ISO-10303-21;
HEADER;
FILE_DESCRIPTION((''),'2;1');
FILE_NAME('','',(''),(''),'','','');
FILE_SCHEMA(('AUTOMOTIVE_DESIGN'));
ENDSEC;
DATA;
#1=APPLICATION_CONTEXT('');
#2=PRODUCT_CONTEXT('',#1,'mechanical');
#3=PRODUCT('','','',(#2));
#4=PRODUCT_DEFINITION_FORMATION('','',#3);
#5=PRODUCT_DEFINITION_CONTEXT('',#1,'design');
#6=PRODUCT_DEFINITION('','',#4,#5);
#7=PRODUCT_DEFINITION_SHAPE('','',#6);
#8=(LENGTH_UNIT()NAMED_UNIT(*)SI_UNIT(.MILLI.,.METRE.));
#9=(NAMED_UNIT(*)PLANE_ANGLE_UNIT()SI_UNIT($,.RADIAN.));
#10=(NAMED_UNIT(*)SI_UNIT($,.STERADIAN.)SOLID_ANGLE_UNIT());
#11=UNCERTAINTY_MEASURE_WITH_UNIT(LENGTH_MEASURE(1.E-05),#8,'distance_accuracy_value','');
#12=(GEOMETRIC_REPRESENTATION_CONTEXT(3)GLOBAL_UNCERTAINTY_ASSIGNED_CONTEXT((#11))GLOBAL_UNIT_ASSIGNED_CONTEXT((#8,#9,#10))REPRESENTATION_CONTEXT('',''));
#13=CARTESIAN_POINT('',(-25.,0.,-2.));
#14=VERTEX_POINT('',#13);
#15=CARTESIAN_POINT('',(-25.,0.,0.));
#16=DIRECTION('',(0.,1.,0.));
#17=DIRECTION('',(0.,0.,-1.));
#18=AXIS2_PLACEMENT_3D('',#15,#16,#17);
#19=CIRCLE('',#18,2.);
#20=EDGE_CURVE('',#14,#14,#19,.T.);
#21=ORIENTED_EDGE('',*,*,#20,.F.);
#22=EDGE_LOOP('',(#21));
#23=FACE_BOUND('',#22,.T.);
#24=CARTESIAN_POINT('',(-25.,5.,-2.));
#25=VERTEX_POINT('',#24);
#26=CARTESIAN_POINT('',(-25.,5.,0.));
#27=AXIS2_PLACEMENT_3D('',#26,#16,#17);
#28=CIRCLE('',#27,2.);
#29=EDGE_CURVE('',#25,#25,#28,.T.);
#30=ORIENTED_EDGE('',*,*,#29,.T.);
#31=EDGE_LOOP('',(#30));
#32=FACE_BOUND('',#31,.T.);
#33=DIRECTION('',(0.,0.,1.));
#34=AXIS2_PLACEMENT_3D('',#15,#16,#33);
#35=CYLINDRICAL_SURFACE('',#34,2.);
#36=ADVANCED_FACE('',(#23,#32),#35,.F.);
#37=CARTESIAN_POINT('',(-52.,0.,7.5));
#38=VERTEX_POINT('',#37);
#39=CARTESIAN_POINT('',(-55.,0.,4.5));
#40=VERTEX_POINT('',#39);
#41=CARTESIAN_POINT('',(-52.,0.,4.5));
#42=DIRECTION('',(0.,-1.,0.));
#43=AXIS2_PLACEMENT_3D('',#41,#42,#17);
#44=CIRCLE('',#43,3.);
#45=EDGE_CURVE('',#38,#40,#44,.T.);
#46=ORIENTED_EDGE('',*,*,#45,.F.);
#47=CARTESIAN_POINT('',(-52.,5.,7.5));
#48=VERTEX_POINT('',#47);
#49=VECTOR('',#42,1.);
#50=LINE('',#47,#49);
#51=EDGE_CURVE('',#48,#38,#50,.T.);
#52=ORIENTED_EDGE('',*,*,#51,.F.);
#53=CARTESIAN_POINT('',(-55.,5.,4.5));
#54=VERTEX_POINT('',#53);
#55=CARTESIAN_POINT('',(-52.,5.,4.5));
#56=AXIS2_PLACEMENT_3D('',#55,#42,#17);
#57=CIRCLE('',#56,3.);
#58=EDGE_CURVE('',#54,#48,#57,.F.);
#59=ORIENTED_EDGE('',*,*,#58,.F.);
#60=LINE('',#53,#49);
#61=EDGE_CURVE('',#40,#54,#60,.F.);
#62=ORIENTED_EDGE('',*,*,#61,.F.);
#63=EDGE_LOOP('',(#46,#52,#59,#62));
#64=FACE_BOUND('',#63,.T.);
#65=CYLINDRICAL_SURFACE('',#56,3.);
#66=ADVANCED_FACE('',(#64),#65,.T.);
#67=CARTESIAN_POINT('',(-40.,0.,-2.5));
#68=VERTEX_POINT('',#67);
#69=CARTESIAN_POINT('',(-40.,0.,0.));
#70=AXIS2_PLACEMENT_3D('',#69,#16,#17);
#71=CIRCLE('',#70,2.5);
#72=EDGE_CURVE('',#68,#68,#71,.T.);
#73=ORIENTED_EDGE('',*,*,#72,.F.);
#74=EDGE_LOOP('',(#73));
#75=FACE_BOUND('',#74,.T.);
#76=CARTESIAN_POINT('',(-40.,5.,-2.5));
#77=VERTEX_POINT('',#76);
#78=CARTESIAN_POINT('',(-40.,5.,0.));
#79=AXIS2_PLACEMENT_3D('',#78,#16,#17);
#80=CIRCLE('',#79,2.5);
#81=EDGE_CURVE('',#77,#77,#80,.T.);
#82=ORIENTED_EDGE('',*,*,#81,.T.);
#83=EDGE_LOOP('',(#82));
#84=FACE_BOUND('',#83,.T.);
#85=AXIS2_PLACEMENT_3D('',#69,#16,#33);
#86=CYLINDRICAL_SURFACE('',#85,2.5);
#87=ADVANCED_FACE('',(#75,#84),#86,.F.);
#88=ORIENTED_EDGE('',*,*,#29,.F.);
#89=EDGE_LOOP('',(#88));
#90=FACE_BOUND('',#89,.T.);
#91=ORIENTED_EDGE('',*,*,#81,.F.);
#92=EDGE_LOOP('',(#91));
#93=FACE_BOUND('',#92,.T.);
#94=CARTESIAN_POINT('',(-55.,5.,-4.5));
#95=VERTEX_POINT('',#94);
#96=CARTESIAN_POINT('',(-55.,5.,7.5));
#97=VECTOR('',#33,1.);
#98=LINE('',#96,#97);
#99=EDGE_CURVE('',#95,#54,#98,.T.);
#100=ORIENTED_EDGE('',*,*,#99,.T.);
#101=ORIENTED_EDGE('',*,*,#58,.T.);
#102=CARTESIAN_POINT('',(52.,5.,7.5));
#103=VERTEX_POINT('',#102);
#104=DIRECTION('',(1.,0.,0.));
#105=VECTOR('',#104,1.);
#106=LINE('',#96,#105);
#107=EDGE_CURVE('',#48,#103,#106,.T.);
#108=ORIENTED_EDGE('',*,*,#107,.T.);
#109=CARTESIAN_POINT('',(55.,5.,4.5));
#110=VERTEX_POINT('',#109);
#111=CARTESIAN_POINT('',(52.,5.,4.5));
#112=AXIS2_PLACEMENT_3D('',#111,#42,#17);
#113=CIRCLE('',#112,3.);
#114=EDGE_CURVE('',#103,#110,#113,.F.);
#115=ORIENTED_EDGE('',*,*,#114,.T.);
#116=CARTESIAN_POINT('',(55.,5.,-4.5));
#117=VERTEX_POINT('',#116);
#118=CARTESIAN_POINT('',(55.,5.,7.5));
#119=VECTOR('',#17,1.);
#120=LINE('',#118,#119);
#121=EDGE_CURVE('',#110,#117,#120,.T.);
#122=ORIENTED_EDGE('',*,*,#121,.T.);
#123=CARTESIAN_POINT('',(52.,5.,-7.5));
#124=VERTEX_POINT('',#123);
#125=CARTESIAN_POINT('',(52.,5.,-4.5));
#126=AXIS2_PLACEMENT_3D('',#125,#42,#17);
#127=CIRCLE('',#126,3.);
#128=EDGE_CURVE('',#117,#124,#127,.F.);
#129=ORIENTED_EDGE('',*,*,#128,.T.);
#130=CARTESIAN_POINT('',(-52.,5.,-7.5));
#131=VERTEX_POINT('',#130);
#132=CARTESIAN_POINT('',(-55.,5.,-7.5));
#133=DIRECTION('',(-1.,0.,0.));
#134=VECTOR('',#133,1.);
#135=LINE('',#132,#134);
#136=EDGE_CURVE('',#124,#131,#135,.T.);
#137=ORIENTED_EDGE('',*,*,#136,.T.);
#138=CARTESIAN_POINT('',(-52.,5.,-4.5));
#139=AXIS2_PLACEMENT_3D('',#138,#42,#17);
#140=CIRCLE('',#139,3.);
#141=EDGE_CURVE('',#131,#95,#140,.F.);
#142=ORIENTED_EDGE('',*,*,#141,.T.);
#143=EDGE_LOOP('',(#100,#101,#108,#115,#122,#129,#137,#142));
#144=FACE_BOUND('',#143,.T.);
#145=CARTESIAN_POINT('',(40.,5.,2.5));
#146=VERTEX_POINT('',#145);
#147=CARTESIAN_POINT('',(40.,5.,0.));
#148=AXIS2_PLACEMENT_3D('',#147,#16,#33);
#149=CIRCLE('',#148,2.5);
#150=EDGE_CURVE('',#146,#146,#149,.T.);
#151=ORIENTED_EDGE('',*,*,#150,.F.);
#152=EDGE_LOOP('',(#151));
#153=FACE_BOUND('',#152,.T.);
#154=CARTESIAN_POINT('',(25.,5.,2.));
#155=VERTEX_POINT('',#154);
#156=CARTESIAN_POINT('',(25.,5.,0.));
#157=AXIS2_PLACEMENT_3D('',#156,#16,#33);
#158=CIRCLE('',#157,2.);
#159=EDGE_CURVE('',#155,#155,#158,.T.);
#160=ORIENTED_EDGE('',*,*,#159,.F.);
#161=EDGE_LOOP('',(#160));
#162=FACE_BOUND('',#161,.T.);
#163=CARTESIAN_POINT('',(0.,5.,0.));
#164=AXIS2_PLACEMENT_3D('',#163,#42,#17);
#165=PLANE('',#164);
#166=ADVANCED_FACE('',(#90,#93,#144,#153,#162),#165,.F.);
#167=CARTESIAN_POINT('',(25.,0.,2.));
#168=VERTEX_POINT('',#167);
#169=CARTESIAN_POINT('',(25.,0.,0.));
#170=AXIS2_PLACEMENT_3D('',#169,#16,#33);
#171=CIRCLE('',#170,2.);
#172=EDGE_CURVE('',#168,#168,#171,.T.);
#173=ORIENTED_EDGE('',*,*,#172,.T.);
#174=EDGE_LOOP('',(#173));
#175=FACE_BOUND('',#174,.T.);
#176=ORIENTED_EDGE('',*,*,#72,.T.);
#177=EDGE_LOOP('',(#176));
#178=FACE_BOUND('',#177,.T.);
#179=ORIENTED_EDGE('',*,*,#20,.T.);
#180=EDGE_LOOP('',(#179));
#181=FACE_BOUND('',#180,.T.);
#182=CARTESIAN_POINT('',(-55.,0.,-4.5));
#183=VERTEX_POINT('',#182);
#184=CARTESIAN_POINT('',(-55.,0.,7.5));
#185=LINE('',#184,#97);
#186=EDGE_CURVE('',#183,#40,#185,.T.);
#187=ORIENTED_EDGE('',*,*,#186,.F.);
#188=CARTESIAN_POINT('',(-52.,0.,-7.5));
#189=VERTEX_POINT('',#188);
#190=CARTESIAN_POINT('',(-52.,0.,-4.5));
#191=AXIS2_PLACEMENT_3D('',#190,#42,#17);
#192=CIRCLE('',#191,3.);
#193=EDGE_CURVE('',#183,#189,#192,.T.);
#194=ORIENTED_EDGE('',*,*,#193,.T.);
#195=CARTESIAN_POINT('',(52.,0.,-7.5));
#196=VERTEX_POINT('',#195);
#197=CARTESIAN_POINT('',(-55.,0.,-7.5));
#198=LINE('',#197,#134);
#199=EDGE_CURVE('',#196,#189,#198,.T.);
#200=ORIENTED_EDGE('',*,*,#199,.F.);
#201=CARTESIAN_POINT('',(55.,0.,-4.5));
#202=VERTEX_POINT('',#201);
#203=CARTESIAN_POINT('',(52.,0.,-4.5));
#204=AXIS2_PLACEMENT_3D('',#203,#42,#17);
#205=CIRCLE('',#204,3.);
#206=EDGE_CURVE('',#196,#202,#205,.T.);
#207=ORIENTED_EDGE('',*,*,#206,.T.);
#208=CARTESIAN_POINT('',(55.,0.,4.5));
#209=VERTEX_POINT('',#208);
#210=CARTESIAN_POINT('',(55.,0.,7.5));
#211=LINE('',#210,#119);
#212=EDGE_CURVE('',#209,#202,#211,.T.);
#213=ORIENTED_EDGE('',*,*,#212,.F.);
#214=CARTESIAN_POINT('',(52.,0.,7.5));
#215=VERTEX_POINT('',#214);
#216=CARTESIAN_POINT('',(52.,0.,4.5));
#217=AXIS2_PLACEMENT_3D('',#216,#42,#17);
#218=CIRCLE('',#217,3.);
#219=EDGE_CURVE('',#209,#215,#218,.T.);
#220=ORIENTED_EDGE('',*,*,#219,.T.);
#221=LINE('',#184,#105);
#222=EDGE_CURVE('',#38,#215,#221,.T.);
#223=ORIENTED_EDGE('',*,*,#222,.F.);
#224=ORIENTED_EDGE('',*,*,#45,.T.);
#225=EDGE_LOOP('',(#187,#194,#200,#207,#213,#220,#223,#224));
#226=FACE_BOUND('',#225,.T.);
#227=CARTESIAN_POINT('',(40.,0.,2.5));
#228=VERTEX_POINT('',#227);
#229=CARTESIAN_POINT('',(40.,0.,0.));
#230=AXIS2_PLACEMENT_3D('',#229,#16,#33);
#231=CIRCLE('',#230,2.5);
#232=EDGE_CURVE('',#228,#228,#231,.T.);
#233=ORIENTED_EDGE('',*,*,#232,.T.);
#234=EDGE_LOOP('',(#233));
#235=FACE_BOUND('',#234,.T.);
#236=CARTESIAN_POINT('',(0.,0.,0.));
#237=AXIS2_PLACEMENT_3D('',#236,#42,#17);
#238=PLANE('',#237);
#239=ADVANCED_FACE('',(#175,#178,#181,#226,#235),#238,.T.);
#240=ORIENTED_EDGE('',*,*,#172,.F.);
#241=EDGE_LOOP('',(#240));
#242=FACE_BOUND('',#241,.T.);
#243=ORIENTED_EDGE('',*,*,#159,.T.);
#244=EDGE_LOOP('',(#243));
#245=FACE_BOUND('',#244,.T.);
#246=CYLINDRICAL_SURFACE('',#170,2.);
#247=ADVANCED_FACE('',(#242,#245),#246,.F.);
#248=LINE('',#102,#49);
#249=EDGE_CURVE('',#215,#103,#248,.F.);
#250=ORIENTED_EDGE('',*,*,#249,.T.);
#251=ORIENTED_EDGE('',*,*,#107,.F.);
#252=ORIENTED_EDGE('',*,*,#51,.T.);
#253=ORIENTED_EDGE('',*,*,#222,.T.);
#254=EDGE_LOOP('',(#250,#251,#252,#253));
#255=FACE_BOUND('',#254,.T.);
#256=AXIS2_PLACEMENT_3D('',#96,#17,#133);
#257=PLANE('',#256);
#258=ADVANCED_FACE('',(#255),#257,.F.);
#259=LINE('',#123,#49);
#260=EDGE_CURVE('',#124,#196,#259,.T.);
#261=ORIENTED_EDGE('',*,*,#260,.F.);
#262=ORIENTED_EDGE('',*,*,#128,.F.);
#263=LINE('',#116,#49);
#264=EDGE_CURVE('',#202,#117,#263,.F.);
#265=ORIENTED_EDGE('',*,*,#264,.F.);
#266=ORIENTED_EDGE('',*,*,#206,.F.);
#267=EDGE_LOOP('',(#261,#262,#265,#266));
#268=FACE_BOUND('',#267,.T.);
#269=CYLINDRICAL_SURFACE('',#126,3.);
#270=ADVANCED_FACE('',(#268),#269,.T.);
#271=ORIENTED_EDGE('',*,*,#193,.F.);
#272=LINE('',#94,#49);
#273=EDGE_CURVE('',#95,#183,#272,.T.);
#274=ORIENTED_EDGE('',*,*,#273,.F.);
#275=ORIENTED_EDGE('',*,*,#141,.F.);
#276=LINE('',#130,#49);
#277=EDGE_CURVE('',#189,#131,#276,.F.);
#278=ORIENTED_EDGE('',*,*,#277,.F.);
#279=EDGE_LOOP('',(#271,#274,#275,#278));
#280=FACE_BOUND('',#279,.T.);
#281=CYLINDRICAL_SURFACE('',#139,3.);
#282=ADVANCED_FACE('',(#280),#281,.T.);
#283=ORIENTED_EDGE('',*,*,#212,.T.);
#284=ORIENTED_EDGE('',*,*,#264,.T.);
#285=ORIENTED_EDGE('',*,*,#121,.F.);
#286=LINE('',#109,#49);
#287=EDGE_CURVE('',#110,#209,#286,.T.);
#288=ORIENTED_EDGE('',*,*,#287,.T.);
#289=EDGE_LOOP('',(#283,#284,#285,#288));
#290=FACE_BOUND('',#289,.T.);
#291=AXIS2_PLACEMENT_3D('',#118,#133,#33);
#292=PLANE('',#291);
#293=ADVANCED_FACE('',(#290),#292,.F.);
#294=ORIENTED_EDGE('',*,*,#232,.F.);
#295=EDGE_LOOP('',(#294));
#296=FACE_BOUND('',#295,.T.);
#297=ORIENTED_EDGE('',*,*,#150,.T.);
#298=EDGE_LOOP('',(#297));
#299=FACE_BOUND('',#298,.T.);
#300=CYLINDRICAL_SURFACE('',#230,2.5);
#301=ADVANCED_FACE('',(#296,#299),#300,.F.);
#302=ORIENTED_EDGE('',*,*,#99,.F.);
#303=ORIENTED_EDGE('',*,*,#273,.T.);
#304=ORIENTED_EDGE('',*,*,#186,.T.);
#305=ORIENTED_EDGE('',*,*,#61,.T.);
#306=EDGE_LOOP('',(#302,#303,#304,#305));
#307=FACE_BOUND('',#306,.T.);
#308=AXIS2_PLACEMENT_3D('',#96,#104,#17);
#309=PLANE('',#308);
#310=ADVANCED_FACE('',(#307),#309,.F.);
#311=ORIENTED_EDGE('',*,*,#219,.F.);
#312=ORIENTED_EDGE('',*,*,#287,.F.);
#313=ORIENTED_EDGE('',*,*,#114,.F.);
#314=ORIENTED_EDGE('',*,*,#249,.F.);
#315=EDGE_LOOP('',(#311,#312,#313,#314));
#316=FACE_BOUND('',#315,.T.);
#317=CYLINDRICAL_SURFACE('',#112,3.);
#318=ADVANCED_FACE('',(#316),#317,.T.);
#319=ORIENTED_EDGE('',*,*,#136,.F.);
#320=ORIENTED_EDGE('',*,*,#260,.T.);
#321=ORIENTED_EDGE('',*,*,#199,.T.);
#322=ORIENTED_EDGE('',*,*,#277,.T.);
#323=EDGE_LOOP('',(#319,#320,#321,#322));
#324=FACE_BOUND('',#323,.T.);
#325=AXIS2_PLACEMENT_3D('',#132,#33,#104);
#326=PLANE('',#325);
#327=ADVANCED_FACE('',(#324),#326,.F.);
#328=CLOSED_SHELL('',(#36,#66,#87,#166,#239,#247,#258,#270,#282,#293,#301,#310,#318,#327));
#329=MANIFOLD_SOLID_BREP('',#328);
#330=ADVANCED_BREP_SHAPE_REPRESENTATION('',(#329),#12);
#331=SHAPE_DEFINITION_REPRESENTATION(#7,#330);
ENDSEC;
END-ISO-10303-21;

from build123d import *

# Parameters (mm, degrees)
SKETCH_1_W          = 110
SKETCH_1_H          = 15
EXTRUDE_1_DEPTH     = 5
FILLET_1_R          = 3
SKETCH_2_R          = 2.5
SKETCH_2_R_2        = 2
CUT_EXTRUDE_1_DEPTH = 5


with BuildPart() as part:
    # 草图1 → 凸台-拉伸1 (new body)
    with BuildSketch(Plane(origin=(0, 0, 0), x_dir=(1, 0, 0), z_dir=(0, 1, 0))):
        Rectangle(SKETCH_1_W, SKETCH_1_H)
    extrude(amount=EXTRUDE_1_DEPTH)

    # 圆角1
    fillet_1_edges = [part.edges().sort_by_distance(p)[0] for p in [
        (55, 2.5, 7.5),
        (-55, 2.5, 7.5),
        (-55, 2.5, -7.5),
        (55, 2.5, -7.5),
    ]]
    fillet(fillet_1_edges, radius=FILLET_1_R)

    # 草图2 → 切除-拉伸1 (cut)
    with BuildSketch(Plane(origin=(0, 5, 0), x_dir=(1, 0, 0), z_dir=(0, 1, 0))):
        with Locations(Location((40, 0, 0), (0, 0, 270))):
            Circle(SKETCH_2_R)
        with Locations(Location((25, 0, 0), (0, 0, 270))):
            Circle(SKETCH_2_R_2)
        with Locations(Location((-40, 0, 0), (0, 0, 90))):
            Circle(SKETCH_2_R)
        with Locations(Location((-25, 0, 0), (0, 0, 90))):
            Circle(SKETCH_2_R_2)
    extrude(amount=-CUT_EXTRUDE_1_DEPTH, mode=Mode.SUBTRACT)


solid = part.part
